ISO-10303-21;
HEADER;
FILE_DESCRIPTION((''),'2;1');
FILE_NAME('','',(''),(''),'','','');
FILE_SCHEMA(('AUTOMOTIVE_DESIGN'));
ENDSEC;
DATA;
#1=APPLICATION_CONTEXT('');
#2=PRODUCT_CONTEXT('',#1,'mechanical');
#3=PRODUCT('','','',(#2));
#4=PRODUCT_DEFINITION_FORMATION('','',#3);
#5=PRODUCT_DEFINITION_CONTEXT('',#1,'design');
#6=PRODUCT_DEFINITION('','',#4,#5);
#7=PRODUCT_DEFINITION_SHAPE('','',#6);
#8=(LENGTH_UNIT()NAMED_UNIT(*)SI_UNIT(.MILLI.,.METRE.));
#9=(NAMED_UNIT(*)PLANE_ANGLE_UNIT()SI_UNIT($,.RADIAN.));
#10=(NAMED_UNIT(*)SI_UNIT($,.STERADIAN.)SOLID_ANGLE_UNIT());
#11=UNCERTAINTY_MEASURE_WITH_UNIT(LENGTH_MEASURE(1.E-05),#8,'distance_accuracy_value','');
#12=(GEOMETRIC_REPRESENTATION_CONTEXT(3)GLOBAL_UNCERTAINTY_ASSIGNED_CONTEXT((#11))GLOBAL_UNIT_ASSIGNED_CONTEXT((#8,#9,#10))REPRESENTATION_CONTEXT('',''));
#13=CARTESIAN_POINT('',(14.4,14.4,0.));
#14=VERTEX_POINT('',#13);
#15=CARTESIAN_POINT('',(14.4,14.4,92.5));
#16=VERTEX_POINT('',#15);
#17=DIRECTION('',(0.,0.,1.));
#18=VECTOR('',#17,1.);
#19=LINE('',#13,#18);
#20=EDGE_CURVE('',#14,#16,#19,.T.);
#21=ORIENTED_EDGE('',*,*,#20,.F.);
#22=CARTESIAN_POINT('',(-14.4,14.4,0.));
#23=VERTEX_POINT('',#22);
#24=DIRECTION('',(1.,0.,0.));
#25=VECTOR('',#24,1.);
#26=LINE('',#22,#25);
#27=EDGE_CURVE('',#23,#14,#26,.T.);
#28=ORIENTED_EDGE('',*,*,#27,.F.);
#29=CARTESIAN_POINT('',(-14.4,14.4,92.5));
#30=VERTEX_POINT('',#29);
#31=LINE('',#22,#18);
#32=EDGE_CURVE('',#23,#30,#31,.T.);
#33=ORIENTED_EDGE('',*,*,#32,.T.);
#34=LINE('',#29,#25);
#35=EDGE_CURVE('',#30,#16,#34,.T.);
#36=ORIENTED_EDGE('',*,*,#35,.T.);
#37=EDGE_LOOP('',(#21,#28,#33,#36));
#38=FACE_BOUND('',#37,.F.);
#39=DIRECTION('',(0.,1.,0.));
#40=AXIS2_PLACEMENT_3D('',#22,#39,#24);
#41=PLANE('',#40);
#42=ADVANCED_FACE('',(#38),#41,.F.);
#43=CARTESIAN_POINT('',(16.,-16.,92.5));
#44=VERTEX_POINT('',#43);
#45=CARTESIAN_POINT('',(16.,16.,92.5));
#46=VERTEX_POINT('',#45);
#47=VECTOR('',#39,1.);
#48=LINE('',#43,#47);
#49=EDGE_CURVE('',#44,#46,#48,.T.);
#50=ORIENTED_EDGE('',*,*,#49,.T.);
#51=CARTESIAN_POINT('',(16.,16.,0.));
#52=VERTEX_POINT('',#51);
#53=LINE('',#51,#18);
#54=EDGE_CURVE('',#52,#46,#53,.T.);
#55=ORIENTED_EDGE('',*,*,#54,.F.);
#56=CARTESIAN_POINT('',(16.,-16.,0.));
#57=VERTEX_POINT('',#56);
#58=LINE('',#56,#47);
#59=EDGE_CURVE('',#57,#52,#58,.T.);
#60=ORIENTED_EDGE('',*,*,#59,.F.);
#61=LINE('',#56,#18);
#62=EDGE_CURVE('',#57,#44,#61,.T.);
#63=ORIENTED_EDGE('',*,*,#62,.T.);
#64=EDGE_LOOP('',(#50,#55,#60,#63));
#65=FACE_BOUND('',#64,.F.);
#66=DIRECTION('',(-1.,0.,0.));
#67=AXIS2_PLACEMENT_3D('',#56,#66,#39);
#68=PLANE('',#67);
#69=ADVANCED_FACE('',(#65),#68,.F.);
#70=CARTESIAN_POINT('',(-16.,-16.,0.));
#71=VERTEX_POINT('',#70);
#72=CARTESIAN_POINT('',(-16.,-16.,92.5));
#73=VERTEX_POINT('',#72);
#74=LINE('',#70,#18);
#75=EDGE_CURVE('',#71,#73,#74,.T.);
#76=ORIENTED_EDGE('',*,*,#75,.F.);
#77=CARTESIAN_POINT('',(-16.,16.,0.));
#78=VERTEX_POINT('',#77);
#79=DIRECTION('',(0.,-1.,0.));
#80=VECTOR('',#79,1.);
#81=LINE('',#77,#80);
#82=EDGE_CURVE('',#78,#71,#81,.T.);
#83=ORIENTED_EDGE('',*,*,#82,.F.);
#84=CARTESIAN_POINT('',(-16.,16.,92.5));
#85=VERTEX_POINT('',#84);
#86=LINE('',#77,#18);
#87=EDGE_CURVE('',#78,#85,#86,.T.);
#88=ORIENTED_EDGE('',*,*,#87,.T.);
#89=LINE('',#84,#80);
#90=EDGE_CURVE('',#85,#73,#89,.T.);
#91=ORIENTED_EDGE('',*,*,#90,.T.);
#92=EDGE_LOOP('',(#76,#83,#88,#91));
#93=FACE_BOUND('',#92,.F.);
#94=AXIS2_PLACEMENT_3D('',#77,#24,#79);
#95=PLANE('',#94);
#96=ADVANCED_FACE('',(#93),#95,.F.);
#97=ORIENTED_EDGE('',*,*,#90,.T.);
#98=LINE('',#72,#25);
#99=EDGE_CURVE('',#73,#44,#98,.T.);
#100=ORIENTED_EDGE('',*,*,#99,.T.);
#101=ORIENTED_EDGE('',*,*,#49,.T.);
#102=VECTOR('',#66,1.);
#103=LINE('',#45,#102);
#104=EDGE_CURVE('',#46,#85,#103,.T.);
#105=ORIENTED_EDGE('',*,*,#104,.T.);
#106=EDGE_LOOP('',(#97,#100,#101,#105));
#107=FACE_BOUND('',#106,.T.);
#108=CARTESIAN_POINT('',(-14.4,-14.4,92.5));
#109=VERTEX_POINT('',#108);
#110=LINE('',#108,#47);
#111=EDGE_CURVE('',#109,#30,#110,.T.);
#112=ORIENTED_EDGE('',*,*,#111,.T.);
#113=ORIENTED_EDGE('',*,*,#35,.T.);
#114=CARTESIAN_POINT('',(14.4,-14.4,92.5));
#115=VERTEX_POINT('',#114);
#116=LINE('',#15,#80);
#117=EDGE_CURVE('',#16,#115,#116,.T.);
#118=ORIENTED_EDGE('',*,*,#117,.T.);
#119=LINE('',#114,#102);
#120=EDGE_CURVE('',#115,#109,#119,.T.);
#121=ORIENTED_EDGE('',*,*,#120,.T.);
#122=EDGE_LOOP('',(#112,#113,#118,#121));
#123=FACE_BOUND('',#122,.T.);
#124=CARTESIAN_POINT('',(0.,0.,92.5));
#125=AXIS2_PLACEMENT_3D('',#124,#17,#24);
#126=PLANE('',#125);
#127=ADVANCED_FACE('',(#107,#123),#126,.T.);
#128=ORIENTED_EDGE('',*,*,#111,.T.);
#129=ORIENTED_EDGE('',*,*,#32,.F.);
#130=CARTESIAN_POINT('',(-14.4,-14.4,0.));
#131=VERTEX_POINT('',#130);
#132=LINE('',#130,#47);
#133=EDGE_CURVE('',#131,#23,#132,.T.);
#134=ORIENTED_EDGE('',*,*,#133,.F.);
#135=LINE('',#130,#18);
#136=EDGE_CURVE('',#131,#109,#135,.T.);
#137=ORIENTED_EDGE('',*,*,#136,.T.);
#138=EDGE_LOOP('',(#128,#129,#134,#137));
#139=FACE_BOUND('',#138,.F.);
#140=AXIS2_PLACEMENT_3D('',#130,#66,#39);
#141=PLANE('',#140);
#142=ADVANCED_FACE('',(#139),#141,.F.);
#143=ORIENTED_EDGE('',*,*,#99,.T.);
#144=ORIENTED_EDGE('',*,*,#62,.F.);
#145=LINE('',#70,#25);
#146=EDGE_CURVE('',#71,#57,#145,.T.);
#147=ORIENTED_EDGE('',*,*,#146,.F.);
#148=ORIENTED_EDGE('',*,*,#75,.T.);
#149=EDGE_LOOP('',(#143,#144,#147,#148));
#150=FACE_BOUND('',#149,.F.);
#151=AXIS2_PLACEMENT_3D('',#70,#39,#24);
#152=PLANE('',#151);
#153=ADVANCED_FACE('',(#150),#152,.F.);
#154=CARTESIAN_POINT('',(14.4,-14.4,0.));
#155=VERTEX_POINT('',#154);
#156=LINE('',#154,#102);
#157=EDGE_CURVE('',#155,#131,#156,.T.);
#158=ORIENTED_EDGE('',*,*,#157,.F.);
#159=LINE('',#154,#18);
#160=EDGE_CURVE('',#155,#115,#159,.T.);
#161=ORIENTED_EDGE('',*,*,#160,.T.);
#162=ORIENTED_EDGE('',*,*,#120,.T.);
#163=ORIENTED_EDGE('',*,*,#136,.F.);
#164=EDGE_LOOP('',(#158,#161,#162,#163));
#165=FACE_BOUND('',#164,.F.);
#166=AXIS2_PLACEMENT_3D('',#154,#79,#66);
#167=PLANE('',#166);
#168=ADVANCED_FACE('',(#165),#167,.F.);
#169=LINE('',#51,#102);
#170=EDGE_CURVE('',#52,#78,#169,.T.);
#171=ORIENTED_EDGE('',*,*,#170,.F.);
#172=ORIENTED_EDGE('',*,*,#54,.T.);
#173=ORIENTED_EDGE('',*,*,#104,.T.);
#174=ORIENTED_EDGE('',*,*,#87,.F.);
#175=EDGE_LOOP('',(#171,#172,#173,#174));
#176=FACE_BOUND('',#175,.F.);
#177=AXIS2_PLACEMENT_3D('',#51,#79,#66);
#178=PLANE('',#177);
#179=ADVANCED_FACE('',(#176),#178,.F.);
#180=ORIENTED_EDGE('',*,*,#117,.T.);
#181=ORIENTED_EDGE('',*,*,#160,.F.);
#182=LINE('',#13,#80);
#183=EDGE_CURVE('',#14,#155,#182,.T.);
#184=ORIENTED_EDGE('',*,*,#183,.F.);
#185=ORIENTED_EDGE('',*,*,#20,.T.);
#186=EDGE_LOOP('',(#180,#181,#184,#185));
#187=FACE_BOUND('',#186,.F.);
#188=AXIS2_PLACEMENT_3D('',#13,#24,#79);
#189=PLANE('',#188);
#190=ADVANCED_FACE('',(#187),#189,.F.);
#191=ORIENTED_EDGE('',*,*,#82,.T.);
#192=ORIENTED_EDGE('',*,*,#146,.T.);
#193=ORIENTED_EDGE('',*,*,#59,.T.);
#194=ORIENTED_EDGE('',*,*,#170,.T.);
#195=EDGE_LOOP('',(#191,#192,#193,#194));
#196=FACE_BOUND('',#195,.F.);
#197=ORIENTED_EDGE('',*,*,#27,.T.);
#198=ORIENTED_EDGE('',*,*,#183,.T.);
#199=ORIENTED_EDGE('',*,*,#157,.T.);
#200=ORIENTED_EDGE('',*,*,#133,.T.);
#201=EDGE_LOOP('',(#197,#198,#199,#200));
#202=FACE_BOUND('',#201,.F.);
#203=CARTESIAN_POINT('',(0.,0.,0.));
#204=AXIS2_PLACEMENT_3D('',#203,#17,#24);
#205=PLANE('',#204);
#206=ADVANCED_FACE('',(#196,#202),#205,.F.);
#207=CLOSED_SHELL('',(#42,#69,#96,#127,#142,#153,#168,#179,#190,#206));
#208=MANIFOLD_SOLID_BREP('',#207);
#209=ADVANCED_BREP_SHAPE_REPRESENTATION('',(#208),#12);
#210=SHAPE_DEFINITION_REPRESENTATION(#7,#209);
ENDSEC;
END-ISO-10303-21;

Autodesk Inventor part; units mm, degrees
ref_plane "YZ Plane" through (0, 0, 0) normal (1, 0, 0) x (0, 1, 0)
ref_plane "XZ Plane" through (0, 0, 0) normal (0, 1, 0) x (-1, 0, 0)
ref_plane "XY Plane" through (0, 0, 0) normal (0, 0, 1) x (1, 0, 0)
sketch "スケッチ1" plane through (0, 0, 0) normal (0, 0, 1) x (1, 0, 0)
  line L0 (-16, -16) -> (16, -16)
  line L1 (16, -16) -> (16, 16)
  line L2 (16, 16) -> (-16, 16)
  line L3 (-16, 16) -> (-16, -16)
  line L4 (-16, -16) -> (16, 16) construction
  line L5 (16, -16) -> (-16, 16) construction
  line L6 (-14.4, 14.4) -> (14.4, 14.4)
  line L7 (14.4, 14.4) -> (14.4, -14.4)
  line L8 (14.4, -14.4) -> (-14.4, -14.4)
  line L9 (-14.4, -14.4) -> (-14.4, 14.4)
  point P0 (0, 0)
  dimension "d0" = 32
  dimension "d1" = 32
  dimension "d2" = 1.6
extrude "押し出し1" add sketch "スケッチ1" along normal blind 92.5
properties part number "PipeB"
